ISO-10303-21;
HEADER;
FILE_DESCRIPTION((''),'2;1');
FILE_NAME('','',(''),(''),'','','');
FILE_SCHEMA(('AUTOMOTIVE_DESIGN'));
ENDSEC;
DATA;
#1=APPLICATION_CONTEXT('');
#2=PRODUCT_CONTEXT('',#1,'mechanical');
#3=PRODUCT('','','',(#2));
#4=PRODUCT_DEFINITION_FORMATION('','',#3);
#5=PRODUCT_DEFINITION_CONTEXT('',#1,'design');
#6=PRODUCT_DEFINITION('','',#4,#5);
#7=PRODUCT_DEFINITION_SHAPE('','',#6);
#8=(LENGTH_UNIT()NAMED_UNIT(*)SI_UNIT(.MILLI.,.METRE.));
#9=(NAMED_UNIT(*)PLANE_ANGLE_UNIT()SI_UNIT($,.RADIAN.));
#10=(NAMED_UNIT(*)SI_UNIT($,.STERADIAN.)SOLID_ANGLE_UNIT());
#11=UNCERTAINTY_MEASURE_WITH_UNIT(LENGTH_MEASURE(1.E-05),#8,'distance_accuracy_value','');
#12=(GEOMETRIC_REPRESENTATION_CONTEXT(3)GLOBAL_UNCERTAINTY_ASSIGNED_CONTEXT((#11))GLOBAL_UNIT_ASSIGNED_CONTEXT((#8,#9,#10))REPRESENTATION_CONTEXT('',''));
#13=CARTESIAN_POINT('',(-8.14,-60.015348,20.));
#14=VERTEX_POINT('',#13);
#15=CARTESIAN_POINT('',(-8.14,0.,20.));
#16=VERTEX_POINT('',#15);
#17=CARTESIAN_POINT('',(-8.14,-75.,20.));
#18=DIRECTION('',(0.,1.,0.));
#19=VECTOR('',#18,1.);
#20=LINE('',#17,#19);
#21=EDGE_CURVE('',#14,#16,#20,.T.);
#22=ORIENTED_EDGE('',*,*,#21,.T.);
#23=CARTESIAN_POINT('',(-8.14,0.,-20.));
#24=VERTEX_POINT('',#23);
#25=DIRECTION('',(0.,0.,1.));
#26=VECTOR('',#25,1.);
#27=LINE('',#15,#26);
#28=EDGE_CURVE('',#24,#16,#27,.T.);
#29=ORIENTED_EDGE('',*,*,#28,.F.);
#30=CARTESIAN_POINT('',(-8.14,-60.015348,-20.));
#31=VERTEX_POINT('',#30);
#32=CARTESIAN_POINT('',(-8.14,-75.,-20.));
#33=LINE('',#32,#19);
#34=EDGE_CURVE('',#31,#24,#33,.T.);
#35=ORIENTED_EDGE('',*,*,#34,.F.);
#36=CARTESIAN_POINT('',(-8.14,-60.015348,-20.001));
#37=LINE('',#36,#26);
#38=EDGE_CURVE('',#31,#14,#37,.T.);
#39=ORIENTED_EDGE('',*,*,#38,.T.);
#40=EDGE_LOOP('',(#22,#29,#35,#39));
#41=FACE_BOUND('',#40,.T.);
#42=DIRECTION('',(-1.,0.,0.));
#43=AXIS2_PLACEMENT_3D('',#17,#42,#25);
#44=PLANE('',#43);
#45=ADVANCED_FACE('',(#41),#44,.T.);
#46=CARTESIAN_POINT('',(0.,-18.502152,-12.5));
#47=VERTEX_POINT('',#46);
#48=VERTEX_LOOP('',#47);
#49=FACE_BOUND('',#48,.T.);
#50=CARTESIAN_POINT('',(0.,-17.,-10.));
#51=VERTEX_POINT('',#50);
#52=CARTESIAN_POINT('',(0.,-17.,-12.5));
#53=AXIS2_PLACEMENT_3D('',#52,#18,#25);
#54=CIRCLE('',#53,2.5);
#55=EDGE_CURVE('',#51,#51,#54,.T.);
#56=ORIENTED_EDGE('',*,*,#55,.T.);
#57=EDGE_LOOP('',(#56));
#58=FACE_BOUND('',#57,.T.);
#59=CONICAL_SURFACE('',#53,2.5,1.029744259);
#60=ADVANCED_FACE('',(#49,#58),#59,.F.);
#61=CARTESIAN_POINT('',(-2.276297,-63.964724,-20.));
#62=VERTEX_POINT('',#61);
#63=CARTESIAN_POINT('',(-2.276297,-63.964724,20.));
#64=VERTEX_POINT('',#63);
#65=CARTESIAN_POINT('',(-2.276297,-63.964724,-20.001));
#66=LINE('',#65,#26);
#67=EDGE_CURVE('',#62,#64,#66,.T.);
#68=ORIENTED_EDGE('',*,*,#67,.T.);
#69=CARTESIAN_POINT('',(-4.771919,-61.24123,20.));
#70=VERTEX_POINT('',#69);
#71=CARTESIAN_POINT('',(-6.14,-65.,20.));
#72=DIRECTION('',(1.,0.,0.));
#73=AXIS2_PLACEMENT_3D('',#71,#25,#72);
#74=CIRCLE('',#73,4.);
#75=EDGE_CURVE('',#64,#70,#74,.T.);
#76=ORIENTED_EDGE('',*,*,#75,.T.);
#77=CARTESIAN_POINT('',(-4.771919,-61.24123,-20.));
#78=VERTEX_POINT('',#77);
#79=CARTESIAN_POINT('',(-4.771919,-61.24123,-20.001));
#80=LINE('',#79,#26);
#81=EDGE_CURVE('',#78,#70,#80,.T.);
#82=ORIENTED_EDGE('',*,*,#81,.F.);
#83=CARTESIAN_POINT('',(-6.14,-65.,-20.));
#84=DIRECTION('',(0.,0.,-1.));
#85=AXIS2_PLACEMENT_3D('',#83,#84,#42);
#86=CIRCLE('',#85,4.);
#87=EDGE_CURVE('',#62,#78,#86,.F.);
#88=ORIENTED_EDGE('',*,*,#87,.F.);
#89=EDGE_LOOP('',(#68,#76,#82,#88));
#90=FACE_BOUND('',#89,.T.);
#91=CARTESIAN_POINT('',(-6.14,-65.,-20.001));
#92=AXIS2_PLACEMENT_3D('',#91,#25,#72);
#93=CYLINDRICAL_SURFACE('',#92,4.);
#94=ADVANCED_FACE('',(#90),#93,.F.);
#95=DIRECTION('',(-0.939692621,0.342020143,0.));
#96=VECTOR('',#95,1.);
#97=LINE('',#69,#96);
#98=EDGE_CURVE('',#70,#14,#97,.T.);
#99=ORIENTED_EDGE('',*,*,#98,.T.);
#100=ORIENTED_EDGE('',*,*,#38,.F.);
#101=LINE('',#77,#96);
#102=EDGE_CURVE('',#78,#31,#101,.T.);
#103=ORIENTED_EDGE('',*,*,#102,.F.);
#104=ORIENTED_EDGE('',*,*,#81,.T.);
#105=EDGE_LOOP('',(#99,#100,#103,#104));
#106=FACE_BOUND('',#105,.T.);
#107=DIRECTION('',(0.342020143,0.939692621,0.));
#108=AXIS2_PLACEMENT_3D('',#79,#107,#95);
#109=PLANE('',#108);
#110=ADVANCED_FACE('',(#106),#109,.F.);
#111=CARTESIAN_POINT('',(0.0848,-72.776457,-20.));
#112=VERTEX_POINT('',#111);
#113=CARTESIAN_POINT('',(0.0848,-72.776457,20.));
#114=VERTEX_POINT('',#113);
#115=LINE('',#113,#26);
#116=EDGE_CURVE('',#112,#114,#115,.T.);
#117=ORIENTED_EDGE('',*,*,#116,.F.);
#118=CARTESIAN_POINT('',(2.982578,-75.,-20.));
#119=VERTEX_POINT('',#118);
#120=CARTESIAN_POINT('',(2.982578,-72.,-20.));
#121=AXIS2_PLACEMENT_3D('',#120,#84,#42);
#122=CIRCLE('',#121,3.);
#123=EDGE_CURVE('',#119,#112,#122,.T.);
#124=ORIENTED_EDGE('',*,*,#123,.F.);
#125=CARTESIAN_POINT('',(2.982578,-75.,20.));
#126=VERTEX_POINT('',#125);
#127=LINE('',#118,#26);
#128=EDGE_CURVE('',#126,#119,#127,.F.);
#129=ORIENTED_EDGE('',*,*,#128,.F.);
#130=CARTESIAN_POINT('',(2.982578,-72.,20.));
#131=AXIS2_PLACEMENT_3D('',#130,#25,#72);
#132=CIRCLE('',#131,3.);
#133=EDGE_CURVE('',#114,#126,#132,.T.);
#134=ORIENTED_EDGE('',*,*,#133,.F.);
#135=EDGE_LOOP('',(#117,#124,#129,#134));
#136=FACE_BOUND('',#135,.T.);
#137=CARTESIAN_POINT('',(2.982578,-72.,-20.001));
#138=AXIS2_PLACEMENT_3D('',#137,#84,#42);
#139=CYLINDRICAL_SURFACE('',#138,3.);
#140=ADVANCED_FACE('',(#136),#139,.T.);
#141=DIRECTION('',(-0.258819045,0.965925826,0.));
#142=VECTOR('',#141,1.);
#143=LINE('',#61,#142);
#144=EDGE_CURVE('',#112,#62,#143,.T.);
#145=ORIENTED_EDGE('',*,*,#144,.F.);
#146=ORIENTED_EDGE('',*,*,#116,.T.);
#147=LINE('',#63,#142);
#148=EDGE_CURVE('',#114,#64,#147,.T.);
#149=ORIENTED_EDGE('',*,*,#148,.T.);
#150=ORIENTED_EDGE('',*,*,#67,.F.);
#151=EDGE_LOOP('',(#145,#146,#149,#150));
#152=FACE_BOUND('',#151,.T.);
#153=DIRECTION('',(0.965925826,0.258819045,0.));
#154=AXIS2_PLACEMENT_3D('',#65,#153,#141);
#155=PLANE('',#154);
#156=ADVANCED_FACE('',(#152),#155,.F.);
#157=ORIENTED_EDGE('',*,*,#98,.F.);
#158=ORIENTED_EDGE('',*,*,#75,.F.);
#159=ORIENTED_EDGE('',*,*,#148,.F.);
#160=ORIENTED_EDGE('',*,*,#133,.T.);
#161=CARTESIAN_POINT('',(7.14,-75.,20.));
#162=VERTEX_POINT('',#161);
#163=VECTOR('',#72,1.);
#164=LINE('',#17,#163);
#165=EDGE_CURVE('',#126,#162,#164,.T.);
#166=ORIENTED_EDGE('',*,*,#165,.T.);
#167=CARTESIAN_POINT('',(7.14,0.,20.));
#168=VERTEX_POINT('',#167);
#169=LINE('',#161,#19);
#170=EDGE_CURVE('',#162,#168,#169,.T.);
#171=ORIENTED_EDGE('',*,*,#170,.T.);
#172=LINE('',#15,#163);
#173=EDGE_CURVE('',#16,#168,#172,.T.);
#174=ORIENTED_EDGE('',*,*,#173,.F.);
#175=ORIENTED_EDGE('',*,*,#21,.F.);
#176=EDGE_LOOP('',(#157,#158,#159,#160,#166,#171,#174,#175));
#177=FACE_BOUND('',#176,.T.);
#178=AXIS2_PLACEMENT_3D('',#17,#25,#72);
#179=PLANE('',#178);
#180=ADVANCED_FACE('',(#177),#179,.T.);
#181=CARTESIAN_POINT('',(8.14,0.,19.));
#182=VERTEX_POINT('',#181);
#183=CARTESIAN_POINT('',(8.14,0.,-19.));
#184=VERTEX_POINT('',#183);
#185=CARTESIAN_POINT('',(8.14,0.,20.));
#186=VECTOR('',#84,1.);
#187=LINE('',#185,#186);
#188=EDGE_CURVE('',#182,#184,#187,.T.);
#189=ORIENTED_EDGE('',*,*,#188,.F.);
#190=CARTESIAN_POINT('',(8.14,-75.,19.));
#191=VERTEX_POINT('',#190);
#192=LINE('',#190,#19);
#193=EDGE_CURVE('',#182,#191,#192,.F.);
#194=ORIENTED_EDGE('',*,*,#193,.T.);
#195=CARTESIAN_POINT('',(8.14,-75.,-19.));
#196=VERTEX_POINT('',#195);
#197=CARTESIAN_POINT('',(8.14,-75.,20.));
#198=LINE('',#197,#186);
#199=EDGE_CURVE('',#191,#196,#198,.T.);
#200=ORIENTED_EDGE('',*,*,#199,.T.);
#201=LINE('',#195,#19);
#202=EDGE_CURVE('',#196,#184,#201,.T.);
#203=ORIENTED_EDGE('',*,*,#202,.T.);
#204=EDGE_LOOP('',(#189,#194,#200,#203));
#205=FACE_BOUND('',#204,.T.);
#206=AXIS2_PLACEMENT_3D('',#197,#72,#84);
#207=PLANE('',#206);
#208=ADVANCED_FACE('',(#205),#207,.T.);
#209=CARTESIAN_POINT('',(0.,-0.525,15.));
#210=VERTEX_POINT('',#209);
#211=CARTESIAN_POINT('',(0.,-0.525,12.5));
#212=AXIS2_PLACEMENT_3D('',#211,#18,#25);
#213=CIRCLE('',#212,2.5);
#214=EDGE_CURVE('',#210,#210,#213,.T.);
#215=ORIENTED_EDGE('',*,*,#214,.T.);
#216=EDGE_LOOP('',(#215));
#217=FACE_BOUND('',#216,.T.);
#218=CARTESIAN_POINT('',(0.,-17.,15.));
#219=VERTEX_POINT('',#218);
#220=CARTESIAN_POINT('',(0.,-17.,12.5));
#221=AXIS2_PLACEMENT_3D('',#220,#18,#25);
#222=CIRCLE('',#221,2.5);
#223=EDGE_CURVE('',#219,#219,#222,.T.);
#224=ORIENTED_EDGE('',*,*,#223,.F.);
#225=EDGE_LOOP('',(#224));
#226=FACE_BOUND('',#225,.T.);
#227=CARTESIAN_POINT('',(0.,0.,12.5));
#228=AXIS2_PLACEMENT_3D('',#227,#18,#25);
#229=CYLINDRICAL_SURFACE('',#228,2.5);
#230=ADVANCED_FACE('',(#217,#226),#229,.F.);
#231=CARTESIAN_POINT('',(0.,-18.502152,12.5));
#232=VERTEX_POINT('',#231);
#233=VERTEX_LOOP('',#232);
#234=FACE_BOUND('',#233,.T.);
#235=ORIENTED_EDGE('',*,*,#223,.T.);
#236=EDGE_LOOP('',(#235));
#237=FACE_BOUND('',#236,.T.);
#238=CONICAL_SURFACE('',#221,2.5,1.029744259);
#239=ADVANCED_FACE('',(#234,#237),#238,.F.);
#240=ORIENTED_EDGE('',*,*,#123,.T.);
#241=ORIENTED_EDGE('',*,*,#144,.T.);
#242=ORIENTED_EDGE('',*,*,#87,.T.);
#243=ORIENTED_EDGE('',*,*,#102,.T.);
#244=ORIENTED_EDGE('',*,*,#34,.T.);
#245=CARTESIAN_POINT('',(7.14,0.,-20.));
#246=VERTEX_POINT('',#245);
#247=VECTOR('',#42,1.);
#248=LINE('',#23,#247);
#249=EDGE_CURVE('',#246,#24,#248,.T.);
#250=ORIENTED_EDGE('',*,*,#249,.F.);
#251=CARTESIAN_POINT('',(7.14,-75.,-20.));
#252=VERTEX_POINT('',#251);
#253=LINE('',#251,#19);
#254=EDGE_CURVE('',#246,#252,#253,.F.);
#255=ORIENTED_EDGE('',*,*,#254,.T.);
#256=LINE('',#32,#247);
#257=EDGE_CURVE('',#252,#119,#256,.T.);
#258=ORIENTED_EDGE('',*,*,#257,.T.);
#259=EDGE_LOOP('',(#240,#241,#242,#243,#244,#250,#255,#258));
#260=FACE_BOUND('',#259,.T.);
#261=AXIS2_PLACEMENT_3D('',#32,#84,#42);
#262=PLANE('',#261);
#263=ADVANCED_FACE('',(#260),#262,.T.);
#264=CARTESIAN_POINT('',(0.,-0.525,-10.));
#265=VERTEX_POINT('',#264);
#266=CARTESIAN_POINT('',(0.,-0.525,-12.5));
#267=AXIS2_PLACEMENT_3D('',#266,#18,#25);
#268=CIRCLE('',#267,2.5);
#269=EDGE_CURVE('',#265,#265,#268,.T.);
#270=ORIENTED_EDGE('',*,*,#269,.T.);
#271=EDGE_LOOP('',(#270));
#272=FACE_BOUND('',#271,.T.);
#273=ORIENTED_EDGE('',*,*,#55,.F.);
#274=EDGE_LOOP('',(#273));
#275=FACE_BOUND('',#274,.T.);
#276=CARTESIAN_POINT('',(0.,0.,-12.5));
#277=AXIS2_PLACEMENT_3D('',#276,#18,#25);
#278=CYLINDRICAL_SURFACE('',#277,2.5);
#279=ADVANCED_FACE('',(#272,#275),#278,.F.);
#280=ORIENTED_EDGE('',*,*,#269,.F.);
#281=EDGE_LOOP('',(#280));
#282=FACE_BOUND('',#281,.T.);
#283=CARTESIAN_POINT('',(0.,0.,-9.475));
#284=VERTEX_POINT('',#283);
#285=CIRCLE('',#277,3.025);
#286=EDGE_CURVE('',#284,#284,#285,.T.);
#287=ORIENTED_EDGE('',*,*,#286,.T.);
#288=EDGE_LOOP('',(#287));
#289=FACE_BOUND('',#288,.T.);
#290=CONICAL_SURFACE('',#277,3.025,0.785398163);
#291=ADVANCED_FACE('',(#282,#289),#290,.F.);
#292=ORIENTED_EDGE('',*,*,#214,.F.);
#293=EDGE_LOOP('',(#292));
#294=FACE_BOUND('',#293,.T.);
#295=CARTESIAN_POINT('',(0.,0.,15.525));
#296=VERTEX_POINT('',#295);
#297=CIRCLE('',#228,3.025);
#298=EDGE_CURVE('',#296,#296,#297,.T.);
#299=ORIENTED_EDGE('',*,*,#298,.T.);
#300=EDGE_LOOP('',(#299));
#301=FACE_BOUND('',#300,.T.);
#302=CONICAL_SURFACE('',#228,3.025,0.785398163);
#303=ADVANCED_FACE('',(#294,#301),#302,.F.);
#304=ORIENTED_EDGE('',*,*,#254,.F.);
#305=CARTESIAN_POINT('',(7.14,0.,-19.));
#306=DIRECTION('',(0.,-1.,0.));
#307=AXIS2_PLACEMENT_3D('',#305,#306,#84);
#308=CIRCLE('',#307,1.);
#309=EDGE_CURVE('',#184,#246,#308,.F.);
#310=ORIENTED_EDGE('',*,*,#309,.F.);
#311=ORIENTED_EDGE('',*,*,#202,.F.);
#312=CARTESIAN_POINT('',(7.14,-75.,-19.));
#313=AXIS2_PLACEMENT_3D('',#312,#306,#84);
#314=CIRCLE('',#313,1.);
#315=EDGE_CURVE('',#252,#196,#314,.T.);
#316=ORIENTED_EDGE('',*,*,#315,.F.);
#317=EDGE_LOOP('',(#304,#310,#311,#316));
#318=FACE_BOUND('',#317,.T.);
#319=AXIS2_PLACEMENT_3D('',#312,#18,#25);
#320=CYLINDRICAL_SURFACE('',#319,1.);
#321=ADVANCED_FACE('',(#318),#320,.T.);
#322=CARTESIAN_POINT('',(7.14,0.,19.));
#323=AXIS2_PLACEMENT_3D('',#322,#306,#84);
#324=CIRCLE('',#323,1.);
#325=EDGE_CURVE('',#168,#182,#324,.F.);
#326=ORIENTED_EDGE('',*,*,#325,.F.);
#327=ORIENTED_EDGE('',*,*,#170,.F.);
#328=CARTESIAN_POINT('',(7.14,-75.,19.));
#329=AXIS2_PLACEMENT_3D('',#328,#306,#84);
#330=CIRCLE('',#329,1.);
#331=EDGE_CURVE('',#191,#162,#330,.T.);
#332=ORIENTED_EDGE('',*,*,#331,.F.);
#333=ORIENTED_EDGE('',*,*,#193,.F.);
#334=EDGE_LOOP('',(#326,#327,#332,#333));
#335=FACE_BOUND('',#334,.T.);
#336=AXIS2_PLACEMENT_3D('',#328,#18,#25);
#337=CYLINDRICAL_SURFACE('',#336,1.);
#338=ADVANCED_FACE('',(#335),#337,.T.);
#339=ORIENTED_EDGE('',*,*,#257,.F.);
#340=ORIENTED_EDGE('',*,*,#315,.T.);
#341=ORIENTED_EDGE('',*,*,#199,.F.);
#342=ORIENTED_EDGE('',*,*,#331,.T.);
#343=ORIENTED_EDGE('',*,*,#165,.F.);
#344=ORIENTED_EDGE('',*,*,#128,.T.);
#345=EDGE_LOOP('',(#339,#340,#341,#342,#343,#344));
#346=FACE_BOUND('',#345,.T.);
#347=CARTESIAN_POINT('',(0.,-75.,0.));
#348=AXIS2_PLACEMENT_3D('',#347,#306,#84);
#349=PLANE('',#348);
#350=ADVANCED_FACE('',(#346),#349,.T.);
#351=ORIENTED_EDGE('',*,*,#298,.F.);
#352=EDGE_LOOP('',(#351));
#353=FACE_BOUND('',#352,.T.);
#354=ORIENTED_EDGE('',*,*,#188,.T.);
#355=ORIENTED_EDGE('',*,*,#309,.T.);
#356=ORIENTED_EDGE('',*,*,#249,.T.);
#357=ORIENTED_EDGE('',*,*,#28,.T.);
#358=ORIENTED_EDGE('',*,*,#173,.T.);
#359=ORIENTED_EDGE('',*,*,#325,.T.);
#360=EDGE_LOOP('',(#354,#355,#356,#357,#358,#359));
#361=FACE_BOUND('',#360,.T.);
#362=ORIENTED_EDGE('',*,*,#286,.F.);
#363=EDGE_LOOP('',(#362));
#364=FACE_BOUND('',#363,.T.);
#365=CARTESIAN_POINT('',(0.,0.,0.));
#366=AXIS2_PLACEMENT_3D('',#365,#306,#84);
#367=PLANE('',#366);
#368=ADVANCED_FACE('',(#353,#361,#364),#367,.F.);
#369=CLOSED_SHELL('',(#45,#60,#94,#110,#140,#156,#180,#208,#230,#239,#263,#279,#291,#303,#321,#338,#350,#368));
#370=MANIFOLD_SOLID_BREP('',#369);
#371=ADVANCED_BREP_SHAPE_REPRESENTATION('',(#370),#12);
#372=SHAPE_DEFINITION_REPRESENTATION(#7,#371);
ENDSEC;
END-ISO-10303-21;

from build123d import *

# Parameters (mm, degrees)
SKETCH1_W                   = 16.28
SKETCH1_H                   = 40
BOSS_EXTRUDE1_DEPTH         = 75
CUT_EXTRUDE1_REACH          = 87.389
FILLET1_R                   = 3
FILLET2_R                   = 1
M6_TAPPED_HOLE1_D           = 5
M6_TAPPED_HOLE1_DEPTH       = 17
M6_TAPPED_HOLE1_CSINK_D     = 6.05
M6_TAPPED_HOLE1_CSINK_ANGLE = 90
M6_TAPPED_HOLE1_TIP         = 1.502151548


with BuildPart() as part:
    # Sketch1 → Boss-Extrude1 (new body)
    with BuildSketch(Plane(origin=(0, 0, 0), x_dir=(1, 0, 0), z_dir=(0, 1, 0))):
        Rectangle(SKETCH1_W, SKETCH1_H)
    extrude(amount=-BOSS_EXTRUDE1_DEPTH)

    # Sketch2 → Cut-Extrude1 (cut, up to next)
    with BuildSketch(Plane.XY.offset(20), mode=Mode.PRIVATE) as cut_extrude1_sk1:
        with BuildLine():
            Line((-4.771919427, -61.241229517), (-8.14, -60.015348442))
            Line((-8.14, -60.015348442), (-8.14, -75))
            Line((-8.14, -75), (0.680596646, -75))
            Line((0.680596646, -75), (-2.276296695, -63.96472382))
            ThreePointArc((-2.276296695, -63.96472382), (-3.190890653, -62.29763917), (-4.771919427, -61.241229517))
        make_face()
    cut_extrude1_tool1 = extrude(cut_extrude1_sk1.sketch, amount=-CUT_EXTRUDE1_REACH, mode=Mode.PRIVATE) & part.part
    add(cut_extrude1_tool1.solids().sort_by_distance((-4.638946, -68.648794, 20))[0], mode=Mode.SUBTRACT)

    # Fillet1
    fillet1_edges = [part.edges().sort_by_distance(p)[0] for p in [
        (0.680596646, -75, 0),
    ]]
    fillet(fillet1_edges, radius=FILLET1_R)

    # Fillet2
    fillet2_edges = [part.edges().sort_by_distance(p)[0] for p in [
        (8.14, -37.5, 20),
        (8.14, -37.5, -20),
    ]]
    fillet(fillet2_edges, radius=FILLET2_R)

    # M6 Tapped Hole1
    with Locations(Plane(origin=(0, 0, 0), x_dir=(1, 0, 0), z_dir=(0, 1, 0))):
        with Locations((0, 12.5), (0, -12.5)):
            CounterSinkHole(M6_TAPPED_HOLE1_D / 2, M6_TAPPED_HOLE1_CSINK_D / 2, depth=M6_TAPPED_HOLE1_DEPTH, counter_sink_angle=M6_TAPPED_HOLE1_CSINK_ANGLE)
            with Locations((0, 0, -(M6_TAPPED_HOLE1_DEPTH + M6_TAPPED_HOLE1_TIP / 2))):  # 118° drill point
                Cone(0, M6_TAPPED_HOLE1_D / 2, M6_TAPPED_HOLE1_TIP, mode=Mode.SUBTRACT)


solid = part.part
